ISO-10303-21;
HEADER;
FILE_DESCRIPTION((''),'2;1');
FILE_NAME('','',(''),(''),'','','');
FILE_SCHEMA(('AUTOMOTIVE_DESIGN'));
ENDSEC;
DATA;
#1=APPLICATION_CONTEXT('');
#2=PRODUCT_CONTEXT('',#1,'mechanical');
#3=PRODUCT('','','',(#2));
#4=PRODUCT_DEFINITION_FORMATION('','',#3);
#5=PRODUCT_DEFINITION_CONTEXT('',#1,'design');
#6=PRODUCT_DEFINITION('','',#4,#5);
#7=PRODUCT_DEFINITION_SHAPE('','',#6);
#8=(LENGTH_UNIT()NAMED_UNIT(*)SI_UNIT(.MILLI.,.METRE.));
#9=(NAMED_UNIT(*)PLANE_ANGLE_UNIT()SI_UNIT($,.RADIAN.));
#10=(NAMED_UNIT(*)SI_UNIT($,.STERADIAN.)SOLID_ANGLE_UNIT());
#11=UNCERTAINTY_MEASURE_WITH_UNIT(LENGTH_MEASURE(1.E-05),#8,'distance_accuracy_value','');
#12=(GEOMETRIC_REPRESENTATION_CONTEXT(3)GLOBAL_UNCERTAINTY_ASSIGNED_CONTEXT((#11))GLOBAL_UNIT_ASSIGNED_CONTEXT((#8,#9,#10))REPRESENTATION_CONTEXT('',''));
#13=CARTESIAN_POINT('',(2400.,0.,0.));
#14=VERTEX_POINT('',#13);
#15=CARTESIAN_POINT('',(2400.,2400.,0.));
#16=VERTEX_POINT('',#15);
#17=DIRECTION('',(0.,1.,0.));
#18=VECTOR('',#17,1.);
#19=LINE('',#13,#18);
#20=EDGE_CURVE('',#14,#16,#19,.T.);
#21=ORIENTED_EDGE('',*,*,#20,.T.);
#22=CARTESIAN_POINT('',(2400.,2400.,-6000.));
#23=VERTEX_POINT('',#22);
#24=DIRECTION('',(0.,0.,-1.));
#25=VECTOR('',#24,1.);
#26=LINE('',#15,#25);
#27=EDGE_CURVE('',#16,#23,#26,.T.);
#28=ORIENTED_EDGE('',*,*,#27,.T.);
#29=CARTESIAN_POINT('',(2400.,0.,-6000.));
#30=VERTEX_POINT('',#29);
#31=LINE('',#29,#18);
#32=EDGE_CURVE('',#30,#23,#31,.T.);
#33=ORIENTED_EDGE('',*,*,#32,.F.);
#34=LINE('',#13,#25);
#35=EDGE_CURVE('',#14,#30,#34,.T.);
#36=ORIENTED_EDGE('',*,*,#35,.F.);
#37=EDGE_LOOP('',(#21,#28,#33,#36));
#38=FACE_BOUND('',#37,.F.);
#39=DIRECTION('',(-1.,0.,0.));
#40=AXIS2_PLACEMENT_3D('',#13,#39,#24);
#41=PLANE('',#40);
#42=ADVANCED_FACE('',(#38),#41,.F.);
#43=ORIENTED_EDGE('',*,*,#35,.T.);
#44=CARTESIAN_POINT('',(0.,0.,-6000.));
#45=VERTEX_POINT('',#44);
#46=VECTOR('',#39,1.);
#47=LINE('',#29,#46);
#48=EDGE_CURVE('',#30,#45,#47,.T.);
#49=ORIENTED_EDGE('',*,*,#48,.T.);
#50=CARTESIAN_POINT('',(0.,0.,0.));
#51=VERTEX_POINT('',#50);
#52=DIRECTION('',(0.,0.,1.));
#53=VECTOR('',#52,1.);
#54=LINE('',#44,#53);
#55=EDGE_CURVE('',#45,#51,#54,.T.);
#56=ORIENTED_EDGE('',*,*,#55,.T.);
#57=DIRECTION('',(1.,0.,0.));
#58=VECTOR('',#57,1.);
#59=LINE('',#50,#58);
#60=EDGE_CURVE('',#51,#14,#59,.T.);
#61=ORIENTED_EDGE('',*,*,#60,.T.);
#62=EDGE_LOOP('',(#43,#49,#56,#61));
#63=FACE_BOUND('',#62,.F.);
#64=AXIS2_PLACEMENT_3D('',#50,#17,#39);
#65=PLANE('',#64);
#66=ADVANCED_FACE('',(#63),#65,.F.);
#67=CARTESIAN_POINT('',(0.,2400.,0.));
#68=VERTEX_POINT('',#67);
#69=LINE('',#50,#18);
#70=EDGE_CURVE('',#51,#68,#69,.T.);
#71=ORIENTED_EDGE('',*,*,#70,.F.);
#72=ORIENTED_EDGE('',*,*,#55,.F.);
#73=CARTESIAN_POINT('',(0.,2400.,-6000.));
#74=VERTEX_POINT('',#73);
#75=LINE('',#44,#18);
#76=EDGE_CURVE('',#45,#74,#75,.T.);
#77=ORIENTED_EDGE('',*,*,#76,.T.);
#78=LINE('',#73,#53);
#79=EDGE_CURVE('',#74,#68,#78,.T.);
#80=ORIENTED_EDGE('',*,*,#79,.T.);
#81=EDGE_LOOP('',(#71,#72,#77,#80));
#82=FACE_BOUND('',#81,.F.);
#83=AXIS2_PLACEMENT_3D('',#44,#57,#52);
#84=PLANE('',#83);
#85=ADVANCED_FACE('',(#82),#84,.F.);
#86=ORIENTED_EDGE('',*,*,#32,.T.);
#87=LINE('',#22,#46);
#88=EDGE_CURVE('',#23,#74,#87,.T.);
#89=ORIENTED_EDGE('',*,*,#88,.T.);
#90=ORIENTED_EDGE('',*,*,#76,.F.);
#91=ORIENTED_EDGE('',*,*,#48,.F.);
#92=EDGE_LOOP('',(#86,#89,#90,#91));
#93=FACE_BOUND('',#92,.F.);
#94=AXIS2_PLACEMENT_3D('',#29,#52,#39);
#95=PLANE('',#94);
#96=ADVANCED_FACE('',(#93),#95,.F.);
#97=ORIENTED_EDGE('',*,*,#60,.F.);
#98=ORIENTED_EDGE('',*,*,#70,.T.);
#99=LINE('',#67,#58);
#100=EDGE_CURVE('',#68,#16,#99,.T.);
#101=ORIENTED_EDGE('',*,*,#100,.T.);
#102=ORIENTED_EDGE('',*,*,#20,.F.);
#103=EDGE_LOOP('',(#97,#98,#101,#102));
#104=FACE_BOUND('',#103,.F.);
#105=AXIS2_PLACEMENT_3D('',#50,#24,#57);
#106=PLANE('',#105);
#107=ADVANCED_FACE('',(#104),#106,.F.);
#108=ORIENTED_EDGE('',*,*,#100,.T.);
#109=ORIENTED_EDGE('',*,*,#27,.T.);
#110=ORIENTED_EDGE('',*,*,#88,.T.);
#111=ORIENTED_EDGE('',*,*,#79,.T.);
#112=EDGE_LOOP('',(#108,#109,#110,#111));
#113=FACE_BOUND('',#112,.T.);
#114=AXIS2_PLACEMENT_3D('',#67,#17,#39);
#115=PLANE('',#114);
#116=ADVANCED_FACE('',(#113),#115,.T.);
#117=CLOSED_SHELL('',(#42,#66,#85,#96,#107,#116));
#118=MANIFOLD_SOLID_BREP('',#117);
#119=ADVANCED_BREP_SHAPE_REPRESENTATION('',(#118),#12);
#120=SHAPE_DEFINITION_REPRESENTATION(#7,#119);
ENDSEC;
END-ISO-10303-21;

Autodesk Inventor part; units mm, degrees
ref_plane "YZ Plane" through (0, 0, 0) normal (1, 0, 0) x (0, 1, 0)
ref_plane "XZ Plane" through (0, 0, 0) normal (0, 1, 0) x (-1, 0, 0)
ref_plane "XY Plane" through (0, 0, 0) normal (0, 0, 1) x (1, 0, 0)
sketch "Sketch1" plane through (0, 0, 0) normal (0, 1, 0) x (-1, 0, 0)
  line L0 (0, 0) -> (-2400, 0)
  line L1 (-2400, 0) -> (-2400, -6000)
  line L2 (-2400, -6000) -> (0, -6000)
  line L3 (0, -6000) -> (0, 0)
  dimension "d0" = 2400
  dimension "d1" = 6000
extrude "Extrusion1" add sketch "Sketch1" along normal blind 2400
properties part number "container" material "UHMW, White"
